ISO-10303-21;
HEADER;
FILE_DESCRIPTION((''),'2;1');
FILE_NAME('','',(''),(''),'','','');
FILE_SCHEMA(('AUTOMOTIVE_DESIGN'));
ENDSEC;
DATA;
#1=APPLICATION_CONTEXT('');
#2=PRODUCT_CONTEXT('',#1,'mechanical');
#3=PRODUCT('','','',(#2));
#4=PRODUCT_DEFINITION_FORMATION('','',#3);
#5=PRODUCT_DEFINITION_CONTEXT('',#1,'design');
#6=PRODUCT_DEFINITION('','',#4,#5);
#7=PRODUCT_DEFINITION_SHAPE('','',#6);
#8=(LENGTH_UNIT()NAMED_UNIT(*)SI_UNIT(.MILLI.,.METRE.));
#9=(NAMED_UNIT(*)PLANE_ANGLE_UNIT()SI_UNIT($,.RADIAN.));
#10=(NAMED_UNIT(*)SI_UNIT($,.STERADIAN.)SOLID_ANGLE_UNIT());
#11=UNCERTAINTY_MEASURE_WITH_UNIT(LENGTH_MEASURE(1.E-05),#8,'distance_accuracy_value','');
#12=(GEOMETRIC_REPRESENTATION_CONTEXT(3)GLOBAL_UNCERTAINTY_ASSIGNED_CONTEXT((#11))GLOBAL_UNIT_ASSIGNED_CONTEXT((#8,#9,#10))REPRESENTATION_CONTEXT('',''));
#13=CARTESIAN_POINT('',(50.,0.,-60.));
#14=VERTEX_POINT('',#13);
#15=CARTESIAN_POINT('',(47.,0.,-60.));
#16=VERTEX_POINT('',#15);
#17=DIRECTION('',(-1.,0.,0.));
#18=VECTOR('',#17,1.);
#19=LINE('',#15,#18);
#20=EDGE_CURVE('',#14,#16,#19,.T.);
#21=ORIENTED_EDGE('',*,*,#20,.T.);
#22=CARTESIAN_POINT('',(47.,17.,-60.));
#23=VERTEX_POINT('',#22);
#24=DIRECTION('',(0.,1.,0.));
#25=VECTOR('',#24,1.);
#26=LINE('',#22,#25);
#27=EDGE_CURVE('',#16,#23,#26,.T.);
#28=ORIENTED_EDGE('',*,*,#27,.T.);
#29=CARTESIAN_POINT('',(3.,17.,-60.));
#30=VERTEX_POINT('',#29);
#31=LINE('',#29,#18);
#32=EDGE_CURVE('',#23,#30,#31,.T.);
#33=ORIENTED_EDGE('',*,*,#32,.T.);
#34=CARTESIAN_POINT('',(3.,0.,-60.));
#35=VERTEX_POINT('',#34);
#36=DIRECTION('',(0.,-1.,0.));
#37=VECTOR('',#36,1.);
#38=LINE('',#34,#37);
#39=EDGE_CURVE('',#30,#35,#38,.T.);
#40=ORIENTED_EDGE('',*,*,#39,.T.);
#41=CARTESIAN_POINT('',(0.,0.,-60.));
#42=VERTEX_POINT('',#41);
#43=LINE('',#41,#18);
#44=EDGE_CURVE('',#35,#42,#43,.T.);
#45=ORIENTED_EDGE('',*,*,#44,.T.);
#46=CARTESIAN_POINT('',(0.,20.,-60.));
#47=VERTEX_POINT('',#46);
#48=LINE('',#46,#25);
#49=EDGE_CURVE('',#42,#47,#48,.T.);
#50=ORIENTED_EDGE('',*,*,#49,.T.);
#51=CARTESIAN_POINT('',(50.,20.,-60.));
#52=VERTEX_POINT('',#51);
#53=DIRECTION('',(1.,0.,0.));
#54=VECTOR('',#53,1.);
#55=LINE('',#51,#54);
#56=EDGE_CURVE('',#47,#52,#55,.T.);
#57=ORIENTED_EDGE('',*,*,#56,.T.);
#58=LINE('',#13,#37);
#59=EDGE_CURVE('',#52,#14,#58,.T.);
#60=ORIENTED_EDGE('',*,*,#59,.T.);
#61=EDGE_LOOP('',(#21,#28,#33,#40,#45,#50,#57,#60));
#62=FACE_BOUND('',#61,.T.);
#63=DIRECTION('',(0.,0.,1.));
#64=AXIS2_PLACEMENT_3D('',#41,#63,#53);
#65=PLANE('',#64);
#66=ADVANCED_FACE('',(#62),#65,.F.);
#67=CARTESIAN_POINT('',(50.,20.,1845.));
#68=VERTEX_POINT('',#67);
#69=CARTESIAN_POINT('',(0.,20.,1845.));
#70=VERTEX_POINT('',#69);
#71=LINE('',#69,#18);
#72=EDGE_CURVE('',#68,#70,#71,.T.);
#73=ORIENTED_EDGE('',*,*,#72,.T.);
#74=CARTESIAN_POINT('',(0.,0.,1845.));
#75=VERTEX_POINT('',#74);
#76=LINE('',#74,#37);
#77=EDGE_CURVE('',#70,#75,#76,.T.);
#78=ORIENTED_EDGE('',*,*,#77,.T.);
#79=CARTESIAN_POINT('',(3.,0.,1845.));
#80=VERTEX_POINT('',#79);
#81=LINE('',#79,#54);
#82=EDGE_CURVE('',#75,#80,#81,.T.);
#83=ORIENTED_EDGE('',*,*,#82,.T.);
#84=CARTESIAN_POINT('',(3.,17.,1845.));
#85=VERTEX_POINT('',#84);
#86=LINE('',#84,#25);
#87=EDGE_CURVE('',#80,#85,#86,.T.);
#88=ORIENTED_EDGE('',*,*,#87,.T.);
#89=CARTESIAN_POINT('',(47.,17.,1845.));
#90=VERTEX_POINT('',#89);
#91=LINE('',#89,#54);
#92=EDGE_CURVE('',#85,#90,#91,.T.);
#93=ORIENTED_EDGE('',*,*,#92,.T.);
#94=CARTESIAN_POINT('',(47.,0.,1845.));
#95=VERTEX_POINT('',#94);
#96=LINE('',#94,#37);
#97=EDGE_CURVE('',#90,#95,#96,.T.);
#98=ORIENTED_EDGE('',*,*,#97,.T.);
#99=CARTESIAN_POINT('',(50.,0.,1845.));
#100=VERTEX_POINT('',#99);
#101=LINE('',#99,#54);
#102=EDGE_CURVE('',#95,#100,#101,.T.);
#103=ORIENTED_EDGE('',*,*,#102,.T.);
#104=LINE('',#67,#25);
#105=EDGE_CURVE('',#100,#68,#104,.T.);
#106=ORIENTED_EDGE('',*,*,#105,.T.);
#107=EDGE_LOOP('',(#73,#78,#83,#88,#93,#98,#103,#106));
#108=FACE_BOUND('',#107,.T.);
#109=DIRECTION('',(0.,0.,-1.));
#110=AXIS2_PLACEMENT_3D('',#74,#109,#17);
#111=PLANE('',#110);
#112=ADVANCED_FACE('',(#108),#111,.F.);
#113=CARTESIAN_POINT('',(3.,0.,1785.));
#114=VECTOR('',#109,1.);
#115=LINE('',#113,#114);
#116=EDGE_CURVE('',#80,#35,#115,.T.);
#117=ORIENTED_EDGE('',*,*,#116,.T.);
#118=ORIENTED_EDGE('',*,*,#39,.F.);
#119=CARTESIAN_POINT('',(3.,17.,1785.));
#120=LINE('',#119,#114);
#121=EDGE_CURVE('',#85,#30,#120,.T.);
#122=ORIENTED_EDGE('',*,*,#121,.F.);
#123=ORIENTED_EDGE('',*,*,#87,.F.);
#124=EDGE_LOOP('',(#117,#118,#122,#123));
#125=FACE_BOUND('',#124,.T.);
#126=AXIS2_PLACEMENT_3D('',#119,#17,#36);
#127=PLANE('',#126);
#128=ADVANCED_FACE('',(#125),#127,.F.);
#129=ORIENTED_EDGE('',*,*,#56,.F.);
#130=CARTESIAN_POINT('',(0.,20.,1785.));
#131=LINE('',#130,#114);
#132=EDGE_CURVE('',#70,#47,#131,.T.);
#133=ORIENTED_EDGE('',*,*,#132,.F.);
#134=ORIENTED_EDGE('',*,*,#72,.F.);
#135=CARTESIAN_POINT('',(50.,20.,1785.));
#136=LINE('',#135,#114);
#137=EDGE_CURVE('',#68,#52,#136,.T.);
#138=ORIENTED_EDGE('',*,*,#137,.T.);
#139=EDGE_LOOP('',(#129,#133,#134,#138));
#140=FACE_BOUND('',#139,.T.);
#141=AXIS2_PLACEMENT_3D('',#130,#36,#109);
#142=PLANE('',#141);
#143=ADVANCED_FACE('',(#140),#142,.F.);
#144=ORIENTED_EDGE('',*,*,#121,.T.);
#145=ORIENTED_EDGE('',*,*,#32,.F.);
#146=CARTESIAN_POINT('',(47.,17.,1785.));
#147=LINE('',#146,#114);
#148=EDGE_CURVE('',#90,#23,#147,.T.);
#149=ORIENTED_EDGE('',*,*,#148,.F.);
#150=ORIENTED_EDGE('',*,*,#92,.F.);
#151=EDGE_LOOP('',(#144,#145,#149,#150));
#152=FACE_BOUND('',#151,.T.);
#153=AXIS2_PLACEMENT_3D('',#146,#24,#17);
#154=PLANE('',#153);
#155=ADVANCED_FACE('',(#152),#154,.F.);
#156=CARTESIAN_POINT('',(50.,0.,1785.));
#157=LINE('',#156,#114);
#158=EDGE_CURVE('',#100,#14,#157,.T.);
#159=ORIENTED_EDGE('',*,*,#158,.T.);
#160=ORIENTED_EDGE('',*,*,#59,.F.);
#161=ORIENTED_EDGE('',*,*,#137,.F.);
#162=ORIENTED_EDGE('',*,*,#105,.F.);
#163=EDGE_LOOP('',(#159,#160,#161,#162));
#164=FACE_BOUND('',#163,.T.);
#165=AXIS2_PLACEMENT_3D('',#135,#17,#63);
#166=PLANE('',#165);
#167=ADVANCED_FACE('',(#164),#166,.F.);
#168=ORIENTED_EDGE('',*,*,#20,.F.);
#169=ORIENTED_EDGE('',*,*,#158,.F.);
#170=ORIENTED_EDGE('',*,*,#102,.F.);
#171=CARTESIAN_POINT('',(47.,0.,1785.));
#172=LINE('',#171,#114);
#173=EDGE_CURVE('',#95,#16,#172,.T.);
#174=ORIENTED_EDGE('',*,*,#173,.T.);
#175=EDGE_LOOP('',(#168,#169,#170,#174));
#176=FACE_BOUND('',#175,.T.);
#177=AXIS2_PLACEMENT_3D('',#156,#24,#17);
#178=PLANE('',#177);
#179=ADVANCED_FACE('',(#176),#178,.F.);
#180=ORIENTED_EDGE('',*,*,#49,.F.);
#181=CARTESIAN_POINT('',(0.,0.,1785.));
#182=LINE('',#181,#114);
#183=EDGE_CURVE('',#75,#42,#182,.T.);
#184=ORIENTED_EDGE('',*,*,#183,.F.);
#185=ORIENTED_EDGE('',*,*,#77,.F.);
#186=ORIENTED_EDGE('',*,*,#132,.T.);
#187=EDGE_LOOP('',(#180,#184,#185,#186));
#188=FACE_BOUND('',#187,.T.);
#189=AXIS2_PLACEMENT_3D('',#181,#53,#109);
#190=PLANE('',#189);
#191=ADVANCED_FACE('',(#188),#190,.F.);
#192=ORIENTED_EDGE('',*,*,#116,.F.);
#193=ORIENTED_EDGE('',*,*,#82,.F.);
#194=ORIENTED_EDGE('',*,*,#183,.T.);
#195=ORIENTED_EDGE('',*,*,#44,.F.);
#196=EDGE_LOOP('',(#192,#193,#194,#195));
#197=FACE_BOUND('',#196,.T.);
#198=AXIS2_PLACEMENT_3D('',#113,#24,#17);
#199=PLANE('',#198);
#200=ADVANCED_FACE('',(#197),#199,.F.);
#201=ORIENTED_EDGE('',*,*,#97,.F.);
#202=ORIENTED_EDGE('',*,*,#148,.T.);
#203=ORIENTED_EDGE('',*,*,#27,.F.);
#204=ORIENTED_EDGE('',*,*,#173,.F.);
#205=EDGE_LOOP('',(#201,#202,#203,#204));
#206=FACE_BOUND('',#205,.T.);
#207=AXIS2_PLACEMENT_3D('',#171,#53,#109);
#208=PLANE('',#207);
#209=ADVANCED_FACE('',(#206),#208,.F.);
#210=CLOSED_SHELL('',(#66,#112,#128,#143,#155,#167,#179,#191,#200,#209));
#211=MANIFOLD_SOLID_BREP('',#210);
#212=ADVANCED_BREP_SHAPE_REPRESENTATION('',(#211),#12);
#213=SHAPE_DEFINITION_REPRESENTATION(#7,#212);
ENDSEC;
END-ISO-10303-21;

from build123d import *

# Parameters (mm, degrees)
BOSS_EXTRUDE1_DEPTH = 1785
EXTRUDE_R_DEPTH     = 60
EXTRUDE_L_DEPTH     = 60


with BuildPart() as part:
    # Sketch1 → Boss-Extrude1 (new body)
    with BuildSketch(Plane.XY):
        Polygon((0, 0), (0, 20), (50, 20), (50, 0), (47, 0), (47, 17), (3, 17), (3, 0), align=None)
    extrude(amount=BOSS_EXTRUDE1_DEPTH)

    # Sketch2 → Extrude R (add)
    with BuildSketch(Plane.XY.offset(1785)):
        Polygon((0, 0), (0, 20), (50, 20), (50, 0), (47, 0), (47, 17), (3, 17), (3, 0), align=None)
    extrude(amount=EXTRUDE_R_DEPTH)

    # Sketch3 → Extrude L (add)
    with BuildSketch(Plane(origin=(0, 0, 0), x_dir=(-1, 0, 0), z_dir=(0, 0, -1))):
        Polygon((-50, 0), (-50, 20), (0, 20), (0, 0), (-3, 0), (-3, 17), (-47, 17), (-47, 0), align=None)
    extrude(amount=EXTRUDE_L_DEPTH)


solid = part.part
